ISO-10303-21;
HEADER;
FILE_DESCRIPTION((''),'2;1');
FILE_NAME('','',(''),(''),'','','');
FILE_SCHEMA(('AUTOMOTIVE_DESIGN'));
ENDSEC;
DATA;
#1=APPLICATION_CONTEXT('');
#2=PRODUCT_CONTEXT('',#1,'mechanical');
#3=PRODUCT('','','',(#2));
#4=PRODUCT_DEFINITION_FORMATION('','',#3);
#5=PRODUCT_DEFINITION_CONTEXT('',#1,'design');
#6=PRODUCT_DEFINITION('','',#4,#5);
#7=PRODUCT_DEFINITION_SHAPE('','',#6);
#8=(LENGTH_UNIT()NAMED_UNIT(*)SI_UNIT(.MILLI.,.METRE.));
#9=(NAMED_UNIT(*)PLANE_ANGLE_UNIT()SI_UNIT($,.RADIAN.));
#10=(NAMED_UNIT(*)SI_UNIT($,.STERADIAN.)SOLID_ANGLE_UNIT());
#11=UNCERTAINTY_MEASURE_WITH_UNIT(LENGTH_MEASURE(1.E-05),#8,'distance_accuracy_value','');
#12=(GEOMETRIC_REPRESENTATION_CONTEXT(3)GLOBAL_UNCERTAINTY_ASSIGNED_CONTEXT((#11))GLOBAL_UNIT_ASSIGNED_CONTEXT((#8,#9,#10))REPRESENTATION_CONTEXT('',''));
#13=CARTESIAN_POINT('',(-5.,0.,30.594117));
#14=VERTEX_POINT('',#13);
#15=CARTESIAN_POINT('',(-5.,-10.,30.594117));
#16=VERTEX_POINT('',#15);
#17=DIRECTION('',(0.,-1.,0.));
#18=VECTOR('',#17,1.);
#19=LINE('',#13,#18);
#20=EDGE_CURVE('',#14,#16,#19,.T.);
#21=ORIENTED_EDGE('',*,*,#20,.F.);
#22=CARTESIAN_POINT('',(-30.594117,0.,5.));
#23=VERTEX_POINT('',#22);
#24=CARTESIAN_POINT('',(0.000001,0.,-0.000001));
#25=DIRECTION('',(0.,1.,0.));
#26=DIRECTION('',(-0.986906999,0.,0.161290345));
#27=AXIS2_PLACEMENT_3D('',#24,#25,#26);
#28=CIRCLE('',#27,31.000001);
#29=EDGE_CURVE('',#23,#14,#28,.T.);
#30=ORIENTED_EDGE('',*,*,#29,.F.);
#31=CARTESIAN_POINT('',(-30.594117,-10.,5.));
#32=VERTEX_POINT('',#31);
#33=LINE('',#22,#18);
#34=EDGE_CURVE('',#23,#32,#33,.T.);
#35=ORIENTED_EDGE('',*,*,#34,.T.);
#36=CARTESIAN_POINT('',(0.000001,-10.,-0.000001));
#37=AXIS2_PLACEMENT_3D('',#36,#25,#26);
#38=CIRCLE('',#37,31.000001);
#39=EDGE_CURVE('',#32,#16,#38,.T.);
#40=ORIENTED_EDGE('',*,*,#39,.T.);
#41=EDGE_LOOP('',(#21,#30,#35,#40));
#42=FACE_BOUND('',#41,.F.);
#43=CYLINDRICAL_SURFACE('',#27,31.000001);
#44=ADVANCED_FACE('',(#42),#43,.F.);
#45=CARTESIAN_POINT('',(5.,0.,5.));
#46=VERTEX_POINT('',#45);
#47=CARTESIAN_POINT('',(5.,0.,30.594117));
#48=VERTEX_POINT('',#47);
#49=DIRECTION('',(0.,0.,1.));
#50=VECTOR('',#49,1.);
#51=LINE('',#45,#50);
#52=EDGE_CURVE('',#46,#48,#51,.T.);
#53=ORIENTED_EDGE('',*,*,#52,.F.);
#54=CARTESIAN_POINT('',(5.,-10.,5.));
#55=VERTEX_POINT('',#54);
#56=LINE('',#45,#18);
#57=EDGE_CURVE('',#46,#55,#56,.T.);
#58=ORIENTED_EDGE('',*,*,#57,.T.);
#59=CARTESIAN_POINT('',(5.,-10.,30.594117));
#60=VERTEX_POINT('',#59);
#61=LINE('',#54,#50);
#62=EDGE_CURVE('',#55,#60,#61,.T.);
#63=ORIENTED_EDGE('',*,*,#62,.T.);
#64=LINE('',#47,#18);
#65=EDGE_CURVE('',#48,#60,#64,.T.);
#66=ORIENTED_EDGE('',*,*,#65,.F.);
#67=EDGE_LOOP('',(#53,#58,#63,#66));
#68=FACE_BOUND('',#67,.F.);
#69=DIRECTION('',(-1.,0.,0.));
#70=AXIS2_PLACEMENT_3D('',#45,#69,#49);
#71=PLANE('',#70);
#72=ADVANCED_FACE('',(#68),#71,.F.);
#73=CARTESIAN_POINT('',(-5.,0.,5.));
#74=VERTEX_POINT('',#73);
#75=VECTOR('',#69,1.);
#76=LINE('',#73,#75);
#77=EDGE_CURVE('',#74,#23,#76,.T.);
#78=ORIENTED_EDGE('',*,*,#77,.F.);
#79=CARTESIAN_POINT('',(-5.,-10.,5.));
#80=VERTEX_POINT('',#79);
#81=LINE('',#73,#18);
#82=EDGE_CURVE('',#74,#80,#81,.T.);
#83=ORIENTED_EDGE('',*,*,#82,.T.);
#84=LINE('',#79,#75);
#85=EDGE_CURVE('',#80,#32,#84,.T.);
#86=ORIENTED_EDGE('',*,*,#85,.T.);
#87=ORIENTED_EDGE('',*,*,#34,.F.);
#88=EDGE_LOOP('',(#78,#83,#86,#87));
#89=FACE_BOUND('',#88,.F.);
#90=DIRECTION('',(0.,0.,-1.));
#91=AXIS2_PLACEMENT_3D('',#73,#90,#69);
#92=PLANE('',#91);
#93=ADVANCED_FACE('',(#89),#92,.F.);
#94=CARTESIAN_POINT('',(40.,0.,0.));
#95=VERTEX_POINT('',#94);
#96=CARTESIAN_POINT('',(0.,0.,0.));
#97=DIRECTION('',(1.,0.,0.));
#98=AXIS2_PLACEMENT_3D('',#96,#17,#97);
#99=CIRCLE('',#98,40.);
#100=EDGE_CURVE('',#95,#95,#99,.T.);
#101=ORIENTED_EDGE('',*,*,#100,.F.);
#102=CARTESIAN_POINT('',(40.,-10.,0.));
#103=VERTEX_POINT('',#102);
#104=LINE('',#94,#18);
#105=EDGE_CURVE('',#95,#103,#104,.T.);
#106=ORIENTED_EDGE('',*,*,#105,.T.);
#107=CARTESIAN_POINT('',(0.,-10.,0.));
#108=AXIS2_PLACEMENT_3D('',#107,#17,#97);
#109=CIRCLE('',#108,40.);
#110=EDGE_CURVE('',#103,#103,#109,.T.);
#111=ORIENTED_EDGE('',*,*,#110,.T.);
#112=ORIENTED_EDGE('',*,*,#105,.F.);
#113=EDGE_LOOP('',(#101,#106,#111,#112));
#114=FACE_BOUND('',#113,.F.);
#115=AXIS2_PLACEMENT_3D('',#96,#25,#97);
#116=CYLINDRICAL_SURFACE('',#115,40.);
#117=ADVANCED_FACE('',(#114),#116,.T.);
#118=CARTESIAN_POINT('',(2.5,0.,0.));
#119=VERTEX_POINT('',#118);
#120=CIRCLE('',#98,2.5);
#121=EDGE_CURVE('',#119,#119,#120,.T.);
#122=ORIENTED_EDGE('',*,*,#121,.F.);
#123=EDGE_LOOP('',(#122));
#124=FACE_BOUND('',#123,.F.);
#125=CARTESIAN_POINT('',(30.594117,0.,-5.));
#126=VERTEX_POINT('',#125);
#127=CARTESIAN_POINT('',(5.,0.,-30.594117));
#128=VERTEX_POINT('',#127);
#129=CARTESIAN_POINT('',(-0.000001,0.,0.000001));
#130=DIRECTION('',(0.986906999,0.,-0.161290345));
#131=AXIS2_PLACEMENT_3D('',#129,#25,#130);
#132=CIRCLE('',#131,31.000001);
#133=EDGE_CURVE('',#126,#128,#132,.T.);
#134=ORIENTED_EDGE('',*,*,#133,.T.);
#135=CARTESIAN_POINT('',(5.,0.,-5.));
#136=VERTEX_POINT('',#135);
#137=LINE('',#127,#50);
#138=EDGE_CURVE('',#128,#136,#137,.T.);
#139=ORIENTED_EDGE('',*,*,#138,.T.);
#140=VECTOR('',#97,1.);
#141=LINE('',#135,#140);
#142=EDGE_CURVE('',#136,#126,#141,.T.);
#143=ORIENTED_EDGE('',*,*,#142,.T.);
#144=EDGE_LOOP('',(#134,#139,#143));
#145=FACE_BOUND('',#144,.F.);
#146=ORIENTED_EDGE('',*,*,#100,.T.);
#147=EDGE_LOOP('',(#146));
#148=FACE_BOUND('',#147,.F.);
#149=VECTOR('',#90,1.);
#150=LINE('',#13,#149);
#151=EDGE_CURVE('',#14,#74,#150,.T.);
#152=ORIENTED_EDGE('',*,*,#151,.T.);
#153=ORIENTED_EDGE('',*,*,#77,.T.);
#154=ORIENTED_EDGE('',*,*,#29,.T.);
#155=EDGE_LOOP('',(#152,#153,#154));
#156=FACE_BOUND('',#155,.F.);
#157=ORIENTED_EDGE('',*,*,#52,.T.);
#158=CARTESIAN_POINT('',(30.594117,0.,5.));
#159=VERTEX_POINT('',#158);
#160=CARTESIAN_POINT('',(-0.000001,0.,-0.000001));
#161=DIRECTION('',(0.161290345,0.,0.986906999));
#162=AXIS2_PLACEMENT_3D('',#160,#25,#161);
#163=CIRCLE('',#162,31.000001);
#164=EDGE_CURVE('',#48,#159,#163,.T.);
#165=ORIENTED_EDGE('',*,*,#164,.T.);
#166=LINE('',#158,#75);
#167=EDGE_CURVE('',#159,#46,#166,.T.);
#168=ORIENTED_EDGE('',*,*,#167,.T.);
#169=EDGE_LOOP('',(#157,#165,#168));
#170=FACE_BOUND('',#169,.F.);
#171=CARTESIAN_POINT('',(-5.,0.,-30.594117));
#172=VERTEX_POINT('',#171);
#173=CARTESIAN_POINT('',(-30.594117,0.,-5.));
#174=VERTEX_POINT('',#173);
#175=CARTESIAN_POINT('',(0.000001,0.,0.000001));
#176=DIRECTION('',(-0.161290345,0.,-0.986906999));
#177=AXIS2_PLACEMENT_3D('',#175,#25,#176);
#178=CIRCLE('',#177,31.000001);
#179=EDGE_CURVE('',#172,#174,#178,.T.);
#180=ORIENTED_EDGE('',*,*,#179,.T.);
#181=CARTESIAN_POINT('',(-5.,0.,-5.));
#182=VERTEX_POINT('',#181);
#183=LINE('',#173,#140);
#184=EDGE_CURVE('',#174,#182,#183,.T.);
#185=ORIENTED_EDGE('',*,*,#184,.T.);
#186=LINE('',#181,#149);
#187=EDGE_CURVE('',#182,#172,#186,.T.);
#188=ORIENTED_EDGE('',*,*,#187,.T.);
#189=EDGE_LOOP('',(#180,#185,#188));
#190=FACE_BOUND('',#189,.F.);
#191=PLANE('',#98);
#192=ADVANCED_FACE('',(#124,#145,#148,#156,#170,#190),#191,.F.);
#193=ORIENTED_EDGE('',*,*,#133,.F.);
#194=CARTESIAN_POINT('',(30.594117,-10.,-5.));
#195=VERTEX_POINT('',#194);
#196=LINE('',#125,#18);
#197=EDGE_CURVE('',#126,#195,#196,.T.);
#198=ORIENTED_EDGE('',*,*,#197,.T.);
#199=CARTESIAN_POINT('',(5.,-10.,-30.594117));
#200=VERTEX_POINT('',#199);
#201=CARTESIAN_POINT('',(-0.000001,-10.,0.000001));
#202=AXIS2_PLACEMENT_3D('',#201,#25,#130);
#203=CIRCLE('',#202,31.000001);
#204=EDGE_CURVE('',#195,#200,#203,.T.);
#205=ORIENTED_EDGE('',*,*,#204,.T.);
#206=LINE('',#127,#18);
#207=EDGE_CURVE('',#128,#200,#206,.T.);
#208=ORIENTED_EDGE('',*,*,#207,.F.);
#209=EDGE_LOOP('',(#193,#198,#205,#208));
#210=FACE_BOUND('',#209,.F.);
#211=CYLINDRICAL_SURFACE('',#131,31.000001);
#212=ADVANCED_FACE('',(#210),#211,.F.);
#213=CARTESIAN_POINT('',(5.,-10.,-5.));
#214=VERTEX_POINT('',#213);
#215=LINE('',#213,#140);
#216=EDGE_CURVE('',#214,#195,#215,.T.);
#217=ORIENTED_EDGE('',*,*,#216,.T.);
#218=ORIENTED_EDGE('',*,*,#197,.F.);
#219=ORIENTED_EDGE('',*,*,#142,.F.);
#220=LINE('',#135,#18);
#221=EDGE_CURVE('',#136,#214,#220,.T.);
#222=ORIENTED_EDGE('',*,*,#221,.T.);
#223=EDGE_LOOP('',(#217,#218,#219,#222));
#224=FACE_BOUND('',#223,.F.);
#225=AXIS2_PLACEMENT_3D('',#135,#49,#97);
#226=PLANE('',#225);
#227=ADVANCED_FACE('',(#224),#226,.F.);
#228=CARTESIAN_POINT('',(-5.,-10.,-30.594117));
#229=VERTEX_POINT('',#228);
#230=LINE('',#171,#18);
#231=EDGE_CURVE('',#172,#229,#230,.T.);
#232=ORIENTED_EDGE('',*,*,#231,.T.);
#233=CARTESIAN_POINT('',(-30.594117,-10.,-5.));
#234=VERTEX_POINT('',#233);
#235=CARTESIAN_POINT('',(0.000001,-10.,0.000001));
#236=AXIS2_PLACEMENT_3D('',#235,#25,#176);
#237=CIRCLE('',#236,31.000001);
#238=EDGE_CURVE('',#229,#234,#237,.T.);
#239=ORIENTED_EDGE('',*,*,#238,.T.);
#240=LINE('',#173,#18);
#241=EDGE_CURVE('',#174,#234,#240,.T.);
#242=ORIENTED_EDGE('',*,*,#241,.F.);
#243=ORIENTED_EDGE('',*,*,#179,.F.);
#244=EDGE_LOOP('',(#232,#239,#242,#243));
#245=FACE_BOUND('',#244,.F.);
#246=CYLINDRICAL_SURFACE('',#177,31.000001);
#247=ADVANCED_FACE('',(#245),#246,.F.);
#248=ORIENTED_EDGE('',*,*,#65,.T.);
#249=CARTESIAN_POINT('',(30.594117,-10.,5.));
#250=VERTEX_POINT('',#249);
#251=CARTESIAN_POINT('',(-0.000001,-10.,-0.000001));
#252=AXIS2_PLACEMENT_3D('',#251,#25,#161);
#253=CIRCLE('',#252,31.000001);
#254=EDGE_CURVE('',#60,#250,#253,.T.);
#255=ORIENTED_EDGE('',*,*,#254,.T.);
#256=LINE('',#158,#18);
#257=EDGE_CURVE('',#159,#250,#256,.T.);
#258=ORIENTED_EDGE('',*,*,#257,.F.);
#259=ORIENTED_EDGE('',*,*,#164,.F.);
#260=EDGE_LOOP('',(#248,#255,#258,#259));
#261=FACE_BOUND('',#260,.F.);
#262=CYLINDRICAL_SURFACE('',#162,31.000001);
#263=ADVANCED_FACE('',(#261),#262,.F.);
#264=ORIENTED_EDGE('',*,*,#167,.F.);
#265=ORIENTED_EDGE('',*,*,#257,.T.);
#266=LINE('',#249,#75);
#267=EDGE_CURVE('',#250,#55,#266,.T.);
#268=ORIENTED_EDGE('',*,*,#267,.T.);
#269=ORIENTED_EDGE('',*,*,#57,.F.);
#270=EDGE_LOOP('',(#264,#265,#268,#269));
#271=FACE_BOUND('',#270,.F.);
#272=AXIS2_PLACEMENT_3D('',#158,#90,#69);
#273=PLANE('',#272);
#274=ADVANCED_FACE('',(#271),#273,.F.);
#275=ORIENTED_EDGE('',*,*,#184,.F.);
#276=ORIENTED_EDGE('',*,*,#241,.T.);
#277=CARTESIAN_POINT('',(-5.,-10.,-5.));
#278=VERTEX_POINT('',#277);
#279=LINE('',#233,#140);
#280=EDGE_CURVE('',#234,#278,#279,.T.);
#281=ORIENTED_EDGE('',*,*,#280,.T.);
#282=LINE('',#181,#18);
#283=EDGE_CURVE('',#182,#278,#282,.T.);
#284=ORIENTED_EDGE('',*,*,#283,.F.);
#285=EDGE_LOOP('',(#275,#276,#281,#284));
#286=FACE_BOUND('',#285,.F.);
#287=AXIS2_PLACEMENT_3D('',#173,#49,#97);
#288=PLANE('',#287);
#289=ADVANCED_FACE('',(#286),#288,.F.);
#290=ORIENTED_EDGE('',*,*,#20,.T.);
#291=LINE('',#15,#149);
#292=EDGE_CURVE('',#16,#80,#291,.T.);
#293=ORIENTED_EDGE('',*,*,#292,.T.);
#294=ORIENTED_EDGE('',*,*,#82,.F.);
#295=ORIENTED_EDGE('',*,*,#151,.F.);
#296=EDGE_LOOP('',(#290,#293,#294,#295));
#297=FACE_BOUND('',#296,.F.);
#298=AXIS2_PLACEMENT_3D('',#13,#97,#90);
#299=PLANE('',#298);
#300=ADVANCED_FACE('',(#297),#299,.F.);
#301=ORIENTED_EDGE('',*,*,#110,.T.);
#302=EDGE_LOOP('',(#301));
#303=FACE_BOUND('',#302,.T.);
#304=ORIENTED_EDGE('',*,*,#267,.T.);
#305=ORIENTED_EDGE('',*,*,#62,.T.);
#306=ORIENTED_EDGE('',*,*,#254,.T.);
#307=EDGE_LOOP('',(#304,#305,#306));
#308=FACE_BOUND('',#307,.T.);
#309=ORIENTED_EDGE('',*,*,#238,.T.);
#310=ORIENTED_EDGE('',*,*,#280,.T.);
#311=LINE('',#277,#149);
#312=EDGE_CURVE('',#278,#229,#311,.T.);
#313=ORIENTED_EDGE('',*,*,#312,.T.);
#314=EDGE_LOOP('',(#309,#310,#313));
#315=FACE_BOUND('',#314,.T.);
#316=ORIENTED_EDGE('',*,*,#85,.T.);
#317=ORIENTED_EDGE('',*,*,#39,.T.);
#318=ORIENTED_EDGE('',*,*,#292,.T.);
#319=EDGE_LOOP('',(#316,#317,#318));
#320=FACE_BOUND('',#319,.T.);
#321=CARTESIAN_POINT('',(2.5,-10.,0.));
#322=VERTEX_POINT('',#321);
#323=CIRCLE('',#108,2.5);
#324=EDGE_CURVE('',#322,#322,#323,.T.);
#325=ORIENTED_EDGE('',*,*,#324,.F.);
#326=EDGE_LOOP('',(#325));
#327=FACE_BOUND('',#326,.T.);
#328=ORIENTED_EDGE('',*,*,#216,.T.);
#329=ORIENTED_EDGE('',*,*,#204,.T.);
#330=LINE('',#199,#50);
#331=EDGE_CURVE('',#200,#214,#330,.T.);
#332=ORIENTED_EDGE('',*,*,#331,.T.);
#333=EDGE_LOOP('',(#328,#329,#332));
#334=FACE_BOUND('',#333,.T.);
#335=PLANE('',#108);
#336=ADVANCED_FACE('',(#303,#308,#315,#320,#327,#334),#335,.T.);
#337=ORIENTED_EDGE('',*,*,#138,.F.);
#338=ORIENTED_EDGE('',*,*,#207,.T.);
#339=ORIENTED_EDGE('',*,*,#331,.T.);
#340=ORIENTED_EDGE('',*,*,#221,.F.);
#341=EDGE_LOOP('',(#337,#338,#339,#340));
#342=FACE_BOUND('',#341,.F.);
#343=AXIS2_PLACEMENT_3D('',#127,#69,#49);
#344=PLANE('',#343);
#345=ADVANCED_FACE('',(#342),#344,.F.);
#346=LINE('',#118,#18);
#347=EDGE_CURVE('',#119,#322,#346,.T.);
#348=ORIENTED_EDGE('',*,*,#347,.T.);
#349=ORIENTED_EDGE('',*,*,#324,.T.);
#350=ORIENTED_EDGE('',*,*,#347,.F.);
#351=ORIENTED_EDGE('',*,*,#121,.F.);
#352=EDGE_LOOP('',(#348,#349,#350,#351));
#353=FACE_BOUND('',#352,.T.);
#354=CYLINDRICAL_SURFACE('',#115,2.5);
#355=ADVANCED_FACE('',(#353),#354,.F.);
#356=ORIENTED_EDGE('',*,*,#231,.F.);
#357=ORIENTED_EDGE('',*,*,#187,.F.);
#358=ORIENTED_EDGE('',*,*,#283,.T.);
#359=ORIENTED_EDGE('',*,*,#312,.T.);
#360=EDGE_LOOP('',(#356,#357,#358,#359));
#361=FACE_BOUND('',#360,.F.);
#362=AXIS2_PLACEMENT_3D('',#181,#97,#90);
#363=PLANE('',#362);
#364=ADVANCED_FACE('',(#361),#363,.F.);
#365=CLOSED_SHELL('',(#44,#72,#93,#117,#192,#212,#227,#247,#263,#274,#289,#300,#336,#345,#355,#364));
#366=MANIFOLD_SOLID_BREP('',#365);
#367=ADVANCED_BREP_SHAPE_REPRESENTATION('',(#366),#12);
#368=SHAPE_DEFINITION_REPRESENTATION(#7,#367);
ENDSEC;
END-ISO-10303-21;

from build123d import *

# Parameters (mm, degrees)
F0_R     = 40
F0_R_2   = 2.5
F1_DEPTH = 10


with BuildPart() as f1:
    # F0 (on Front) → F1 (new body)
    with BuildSketch(Plane.XZ):
        Circle(F0_R)
        with BuildLine():
            Line((-5.59017, -5), (-5, -5))
            Line((-5, -5), (-5, -5.59017))
            Line((-5, -5.59017), (-5, -30.594117))
            ThreePointArc((-5, -30.594117), (-21.92031, -21.92031), (-30.594117, -5))
            Line((-30.594117, -5), (-5.59017, -5))
        make_face(mode=Mode.SUBTRACT)
        with BuildLine():
            Line((5, -5.59017), (5, -5))
            Line((5, -5), (5.59017, -5))
            Line((5.59017, -5), (30.594117, -5))
            ThreePointArc((30.594117, -5), (21.92031, -21.92031), (5, -30.594117))
            Line((5, -30.594117), (5, -5.59017))
        make_face(mode=Mode.SUBTRACT)
        with BuildLine():
            ThreePointArc((-30.594117, 5), (-21.92031, 21.92031), (-5, 30.594117))
            Line((-5, 30.594117), (-5, 5.59017))
            Line((-5, 5.59017), (-5, 5))
            Line((-5, 5), (-5.59017, 5))
            Line((-5.59017, 5), (-30.594117, 5))
        make_face(mode=Mode.SUBTRACT)
        Circle(F0_R_2, mode=Mode.SUBTRACT)
        with BuildLine():
            Line((30.594117, 5), (5.59017, 5))
            Line((5.59017, 5), (5, 5))
            Line((5, 5), (5, 5.59017))
            Line((5, 5.59017), (5, 30.594117))
            ThreePointArc((5, 30.594117), (21.92031, 21.92031), (30.594117, 5))
        make_face(mode=Mode.SUBTRACT)
    extrude(amount=F1_DEPTH)


solid = f1.part
